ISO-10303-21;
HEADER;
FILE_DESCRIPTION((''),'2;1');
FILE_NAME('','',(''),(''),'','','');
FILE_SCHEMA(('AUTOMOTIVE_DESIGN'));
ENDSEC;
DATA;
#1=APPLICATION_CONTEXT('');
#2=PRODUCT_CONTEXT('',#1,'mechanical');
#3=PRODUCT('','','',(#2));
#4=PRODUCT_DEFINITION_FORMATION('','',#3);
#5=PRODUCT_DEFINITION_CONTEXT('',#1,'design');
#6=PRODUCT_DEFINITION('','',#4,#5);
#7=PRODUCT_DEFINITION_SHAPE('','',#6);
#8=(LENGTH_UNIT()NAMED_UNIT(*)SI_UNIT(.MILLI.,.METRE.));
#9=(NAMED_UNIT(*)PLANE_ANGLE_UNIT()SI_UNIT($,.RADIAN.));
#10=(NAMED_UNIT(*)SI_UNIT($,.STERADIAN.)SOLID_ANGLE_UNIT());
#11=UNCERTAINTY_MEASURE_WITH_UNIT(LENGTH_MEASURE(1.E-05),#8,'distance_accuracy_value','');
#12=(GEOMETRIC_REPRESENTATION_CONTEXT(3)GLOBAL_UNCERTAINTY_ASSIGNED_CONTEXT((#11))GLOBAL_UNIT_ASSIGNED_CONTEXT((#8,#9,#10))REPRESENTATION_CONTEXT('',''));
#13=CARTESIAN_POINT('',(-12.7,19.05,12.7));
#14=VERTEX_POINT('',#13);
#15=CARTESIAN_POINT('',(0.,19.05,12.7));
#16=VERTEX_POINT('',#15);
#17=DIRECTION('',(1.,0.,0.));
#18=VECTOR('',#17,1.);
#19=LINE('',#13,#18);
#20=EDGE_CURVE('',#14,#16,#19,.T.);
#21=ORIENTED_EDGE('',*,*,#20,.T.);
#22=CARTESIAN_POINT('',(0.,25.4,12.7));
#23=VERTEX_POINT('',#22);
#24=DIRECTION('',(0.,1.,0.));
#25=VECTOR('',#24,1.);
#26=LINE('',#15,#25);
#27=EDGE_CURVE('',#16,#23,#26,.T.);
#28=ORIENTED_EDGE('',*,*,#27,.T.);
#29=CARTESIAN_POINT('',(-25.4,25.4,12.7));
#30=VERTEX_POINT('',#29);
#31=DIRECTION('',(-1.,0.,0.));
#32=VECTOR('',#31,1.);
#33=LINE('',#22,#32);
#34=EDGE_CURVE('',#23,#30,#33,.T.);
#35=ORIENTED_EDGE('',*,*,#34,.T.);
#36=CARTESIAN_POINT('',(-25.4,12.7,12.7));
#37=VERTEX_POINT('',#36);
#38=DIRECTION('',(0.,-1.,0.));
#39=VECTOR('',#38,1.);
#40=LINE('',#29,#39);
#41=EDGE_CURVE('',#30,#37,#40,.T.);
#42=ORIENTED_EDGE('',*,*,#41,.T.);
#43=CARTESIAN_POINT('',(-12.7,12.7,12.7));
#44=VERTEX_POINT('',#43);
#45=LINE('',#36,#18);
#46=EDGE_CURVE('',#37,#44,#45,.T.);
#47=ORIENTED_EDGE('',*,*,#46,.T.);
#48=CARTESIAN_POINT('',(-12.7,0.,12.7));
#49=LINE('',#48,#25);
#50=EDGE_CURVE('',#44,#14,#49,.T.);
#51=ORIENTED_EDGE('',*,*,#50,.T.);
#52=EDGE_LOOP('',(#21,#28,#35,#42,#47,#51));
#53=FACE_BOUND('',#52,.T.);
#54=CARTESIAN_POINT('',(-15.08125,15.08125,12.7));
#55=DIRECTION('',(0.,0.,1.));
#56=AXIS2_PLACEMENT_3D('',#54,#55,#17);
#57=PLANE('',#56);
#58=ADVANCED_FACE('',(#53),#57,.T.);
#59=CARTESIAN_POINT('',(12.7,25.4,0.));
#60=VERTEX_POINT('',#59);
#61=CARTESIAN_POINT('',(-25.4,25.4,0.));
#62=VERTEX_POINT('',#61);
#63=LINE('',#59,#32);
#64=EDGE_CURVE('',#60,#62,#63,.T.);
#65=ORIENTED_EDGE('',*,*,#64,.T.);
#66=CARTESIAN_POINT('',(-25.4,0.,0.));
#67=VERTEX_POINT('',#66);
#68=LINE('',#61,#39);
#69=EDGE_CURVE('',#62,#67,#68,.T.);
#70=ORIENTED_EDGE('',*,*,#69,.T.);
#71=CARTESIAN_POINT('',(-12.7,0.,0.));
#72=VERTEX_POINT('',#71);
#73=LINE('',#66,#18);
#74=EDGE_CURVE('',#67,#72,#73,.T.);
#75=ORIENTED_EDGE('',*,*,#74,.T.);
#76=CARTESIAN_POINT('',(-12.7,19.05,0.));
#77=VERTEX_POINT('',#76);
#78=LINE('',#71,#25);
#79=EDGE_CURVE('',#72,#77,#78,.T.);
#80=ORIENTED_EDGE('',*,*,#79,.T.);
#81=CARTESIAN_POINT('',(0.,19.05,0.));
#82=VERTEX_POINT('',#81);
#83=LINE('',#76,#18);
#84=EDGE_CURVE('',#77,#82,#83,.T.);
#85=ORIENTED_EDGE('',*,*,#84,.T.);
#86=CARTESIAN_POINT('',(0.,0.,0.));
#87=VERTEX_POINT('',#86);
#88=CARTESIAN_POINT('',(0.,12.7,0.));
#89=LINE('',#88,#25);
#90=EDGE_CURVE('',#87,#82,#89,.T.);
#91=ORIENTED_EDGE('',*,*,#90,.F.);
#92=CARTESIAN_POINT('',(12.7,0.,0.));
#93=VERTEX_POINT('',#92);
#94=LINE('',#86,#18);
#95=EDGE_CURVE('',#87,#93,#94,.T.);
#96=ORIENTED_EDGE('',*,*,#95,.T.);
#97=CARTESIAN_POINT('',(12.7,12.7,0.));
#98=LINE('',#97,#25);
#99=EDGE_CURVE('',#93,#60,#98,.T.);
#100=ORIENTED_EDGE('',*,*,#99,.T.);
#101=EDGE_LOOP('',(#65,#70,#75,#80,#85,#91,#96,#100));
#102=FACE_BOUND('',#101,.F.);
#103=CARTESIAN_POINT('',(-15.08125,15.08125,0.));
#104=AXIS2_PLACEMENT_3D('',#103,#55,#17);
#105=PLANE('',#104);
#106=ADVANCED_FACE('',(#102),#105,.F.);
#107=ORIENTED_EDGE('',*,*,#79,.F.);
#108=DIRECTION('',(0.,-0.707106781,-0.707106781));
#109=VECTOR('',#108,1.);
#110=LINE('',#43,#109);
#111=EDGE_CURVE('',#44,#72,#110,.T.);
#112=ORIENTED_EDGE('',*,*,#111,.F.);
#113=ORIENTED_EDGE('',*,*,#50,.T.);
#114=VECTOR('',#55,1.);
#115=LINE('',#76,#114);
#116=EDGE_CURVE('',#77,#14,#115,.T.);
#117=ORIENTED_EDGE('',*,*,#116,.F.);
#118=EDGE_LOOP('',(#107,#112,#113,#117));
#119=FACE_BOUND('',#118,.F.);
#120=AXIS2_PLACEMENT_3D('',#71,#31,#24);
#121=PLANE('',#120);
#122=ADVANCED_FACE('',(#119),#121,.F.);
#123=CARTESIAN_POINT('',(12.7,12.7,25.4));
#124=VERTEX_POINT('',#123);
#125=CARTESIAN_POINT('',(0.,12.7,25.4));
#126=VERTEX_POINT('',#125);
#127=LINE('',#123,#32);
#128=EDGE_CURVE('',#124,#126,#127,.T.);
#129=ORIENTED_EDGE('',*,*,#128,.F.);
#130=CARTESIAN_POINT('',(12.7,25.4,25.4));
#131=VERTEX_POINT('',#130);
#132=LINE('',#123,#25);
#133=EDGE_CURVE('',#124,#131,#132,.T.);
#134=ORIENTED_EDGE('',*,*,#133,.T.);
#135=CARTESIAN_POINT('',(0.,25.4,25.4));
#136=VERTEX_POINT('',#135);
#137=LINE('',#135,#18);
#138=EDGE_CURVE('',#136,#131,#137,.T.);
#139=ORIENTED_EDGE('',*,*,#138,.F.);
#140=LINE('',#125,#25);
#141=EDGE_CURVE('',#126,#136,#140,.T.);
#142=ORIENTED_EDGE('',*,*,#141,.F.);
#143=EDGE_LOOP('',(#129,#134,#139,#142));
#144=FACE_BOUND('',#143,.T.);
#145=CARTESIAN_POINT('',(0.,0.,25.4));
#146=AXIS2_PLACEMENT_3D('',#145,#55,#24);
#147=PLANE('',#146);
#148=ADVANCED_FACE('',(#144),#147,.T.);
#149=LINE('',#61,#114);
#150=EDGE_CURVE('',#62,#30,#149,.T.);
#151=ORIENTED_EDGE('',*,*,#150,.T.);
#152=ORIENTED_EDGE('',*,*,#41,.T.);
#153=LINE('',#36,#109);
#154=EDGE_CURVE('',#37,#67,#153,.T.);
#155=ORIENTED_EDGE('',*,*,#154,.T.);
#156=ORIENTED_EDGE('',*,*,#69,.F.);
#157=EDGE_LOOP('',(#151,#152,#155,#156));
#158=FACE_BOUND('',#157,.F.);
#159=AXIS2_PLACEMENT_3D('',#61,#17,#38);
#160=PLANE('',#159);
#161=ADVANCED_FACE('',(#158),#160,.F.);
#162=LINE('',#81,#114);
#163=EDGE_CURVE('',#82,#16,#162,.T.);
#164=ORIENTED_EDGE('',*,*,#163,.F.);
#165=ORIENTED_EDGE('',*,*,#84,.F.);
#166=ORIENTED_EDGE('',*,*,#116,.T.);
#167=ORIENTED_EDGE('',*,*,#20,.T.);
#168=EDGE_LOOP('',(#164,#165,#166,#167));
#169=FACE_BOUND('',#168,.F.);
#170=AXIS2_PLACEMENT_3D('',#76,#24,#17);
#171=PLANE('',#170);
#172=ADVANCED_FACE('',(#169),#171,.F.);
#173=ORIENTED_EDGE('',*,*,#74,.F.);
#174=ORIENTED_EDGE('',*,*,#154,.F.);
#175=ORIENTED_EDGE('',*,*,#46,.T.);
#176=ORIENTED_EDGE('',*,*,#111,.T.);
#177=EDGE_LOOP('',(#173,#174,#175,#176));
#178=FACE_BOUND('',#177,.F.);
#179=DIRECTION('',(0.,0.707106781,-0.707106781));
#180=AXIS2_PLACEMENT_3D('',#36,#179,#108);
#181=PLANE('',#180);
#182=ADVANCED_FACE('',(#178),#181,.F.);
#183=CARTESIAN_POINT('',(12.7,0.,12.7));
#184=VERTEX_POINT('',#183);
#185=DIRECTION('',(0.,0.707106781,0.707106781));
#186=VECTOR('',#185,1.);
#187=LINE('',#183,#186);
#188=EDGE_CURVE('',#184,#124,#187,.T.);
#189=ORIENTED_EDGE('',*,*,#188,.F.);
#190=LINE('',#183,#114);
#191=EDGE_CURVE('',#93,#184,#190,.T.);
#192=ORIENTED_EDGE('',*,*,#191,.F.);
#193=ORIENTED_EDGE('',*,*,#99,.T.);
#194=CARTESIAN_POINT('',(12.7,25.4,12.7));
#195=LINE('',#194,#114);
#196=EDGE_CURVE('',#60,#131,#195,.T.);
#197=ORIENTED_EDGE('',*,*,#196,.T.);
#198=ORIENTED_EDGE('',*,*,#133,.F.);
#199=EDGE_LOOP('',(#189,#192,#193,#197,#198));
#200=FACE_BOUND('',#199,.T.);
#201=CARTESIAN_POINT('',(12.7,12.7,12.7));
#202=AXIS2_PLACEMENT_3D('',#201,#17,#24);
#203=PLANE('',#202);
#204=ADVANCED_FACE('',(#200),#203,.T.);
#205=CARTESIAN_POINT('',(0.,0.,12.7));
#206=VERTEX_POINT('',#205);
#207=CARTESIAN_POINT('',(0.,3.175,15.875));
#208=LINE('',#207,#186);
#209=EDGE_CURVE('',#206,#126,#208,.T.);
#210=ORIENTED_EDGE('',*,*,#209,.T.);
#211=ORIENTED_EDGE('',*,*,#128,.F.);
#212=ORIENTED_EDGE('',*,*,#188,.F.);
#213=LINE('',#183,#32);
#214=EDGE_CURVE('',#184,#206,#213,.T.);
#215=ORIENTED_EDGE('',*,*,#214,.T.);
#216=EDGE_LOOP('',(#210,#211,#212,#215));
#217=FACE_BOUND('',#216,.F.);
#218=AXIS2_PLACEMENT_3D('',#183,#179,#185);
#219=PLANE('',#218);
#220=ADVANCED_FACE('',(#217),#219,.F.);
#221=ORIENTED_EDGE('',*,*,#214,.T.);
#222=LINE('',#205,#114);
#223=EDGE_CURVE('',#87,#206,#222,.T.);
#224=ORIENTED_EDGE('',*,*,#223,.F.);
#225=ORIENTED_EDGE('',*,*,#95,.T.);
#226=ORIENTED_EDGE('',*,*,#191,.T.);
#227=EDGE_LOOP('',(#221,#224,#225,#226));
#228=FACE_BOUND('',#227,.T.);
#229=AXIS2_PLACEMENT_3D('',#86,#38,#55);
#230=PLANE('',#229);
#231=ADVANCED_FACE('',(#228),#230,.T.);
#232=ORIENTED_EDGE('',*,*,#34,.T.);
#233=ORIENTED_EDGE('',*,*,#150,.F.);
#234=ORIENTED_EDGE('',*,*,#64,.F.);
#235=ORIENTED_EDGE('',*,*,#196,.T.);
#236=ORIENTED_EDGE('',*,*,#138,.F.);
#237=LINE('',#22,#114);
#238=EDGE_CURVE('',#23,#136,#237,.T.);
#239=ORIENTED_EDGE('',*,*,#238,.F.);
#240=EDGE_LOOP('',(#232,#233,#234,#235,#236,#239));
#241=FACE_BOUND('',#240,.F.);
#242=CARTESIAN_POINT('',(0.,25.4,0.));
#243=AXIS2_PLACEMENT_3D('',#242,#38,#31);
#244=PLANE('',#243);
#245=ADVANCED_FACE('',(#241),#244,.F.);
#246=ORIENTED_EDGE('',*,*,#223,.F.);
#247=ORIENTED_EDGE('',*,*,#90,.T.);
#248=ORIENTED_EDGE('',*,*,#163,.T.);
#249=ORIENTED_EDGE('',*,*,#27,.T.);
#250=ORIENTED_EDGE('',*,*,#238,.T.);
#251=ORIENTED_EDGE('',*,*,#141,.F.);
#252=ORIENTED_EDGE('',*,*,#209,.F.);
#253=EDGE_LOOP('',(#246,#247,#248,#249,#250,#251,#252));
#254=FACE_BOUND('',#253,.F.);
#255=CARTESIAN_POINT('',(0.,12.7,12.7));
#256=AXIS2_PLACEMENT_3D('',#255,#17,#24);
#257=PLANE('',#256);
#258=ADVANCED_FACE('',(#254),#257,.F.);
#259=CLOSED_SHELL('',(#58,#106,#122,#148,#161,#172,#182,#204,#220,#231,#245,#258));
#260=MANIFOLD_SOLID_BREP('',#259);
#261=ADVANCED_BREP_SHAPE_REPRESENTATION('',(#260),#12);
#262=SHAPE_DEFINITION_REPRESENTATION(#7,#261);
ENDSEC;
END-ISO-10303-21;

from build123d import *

# Parameters (mm, degrees)
F0_W     = 25.4
F0_H     = 25.4
F1_DEPTH = 12.7
F3_DEPTH = 12.701
F5_DEPTH = 12.7
F7_DEPTH = 12.7


with BuildPart() as f1:
    # F0 (on Right) → F1 (new body)
    with BuildSketch(Plane.YZ):
        with Locations((12.7, 12.7)):
            Rectangle(F0_W, F0_H)
    extrude(amount=F1_DEPTH)

    # F2 (on face) → F3 (cut, through all)
    with BuildSketch(Plane.YZ.offset(12.7)):
        Polygon((0, 12.7), (12.7, 25.4), (0, 25.4), align=None)
    extrude(amount=-F3_DEPTH, mode=Mode.SUBTRACT)

    # F4 (on Top) → F5 (join)
    with BuildSketch(Plane.XY):
        Polygon((0, 19.05), (0, 25.4), (-25.4, 25.4), (-25.4, 0), (-12.7, 0), (-12.7, 19.05), align=None)
    extrude(amount=F5_DEPTH)

    # F6 (on face) → F7 (cut)
    with BuildSketch(Plane(origin=(-25.4, 0, 0), x_dir=(0, -1, 0), z_dir=(-1, 0, 0))):
        Polygon((0, 12.7), (-12.7, 12.7), (0, 0), align=None)
    extrude(amount=-F7_DEPTH, mode=Mode.SUBTRACT)


solid = f1.part
